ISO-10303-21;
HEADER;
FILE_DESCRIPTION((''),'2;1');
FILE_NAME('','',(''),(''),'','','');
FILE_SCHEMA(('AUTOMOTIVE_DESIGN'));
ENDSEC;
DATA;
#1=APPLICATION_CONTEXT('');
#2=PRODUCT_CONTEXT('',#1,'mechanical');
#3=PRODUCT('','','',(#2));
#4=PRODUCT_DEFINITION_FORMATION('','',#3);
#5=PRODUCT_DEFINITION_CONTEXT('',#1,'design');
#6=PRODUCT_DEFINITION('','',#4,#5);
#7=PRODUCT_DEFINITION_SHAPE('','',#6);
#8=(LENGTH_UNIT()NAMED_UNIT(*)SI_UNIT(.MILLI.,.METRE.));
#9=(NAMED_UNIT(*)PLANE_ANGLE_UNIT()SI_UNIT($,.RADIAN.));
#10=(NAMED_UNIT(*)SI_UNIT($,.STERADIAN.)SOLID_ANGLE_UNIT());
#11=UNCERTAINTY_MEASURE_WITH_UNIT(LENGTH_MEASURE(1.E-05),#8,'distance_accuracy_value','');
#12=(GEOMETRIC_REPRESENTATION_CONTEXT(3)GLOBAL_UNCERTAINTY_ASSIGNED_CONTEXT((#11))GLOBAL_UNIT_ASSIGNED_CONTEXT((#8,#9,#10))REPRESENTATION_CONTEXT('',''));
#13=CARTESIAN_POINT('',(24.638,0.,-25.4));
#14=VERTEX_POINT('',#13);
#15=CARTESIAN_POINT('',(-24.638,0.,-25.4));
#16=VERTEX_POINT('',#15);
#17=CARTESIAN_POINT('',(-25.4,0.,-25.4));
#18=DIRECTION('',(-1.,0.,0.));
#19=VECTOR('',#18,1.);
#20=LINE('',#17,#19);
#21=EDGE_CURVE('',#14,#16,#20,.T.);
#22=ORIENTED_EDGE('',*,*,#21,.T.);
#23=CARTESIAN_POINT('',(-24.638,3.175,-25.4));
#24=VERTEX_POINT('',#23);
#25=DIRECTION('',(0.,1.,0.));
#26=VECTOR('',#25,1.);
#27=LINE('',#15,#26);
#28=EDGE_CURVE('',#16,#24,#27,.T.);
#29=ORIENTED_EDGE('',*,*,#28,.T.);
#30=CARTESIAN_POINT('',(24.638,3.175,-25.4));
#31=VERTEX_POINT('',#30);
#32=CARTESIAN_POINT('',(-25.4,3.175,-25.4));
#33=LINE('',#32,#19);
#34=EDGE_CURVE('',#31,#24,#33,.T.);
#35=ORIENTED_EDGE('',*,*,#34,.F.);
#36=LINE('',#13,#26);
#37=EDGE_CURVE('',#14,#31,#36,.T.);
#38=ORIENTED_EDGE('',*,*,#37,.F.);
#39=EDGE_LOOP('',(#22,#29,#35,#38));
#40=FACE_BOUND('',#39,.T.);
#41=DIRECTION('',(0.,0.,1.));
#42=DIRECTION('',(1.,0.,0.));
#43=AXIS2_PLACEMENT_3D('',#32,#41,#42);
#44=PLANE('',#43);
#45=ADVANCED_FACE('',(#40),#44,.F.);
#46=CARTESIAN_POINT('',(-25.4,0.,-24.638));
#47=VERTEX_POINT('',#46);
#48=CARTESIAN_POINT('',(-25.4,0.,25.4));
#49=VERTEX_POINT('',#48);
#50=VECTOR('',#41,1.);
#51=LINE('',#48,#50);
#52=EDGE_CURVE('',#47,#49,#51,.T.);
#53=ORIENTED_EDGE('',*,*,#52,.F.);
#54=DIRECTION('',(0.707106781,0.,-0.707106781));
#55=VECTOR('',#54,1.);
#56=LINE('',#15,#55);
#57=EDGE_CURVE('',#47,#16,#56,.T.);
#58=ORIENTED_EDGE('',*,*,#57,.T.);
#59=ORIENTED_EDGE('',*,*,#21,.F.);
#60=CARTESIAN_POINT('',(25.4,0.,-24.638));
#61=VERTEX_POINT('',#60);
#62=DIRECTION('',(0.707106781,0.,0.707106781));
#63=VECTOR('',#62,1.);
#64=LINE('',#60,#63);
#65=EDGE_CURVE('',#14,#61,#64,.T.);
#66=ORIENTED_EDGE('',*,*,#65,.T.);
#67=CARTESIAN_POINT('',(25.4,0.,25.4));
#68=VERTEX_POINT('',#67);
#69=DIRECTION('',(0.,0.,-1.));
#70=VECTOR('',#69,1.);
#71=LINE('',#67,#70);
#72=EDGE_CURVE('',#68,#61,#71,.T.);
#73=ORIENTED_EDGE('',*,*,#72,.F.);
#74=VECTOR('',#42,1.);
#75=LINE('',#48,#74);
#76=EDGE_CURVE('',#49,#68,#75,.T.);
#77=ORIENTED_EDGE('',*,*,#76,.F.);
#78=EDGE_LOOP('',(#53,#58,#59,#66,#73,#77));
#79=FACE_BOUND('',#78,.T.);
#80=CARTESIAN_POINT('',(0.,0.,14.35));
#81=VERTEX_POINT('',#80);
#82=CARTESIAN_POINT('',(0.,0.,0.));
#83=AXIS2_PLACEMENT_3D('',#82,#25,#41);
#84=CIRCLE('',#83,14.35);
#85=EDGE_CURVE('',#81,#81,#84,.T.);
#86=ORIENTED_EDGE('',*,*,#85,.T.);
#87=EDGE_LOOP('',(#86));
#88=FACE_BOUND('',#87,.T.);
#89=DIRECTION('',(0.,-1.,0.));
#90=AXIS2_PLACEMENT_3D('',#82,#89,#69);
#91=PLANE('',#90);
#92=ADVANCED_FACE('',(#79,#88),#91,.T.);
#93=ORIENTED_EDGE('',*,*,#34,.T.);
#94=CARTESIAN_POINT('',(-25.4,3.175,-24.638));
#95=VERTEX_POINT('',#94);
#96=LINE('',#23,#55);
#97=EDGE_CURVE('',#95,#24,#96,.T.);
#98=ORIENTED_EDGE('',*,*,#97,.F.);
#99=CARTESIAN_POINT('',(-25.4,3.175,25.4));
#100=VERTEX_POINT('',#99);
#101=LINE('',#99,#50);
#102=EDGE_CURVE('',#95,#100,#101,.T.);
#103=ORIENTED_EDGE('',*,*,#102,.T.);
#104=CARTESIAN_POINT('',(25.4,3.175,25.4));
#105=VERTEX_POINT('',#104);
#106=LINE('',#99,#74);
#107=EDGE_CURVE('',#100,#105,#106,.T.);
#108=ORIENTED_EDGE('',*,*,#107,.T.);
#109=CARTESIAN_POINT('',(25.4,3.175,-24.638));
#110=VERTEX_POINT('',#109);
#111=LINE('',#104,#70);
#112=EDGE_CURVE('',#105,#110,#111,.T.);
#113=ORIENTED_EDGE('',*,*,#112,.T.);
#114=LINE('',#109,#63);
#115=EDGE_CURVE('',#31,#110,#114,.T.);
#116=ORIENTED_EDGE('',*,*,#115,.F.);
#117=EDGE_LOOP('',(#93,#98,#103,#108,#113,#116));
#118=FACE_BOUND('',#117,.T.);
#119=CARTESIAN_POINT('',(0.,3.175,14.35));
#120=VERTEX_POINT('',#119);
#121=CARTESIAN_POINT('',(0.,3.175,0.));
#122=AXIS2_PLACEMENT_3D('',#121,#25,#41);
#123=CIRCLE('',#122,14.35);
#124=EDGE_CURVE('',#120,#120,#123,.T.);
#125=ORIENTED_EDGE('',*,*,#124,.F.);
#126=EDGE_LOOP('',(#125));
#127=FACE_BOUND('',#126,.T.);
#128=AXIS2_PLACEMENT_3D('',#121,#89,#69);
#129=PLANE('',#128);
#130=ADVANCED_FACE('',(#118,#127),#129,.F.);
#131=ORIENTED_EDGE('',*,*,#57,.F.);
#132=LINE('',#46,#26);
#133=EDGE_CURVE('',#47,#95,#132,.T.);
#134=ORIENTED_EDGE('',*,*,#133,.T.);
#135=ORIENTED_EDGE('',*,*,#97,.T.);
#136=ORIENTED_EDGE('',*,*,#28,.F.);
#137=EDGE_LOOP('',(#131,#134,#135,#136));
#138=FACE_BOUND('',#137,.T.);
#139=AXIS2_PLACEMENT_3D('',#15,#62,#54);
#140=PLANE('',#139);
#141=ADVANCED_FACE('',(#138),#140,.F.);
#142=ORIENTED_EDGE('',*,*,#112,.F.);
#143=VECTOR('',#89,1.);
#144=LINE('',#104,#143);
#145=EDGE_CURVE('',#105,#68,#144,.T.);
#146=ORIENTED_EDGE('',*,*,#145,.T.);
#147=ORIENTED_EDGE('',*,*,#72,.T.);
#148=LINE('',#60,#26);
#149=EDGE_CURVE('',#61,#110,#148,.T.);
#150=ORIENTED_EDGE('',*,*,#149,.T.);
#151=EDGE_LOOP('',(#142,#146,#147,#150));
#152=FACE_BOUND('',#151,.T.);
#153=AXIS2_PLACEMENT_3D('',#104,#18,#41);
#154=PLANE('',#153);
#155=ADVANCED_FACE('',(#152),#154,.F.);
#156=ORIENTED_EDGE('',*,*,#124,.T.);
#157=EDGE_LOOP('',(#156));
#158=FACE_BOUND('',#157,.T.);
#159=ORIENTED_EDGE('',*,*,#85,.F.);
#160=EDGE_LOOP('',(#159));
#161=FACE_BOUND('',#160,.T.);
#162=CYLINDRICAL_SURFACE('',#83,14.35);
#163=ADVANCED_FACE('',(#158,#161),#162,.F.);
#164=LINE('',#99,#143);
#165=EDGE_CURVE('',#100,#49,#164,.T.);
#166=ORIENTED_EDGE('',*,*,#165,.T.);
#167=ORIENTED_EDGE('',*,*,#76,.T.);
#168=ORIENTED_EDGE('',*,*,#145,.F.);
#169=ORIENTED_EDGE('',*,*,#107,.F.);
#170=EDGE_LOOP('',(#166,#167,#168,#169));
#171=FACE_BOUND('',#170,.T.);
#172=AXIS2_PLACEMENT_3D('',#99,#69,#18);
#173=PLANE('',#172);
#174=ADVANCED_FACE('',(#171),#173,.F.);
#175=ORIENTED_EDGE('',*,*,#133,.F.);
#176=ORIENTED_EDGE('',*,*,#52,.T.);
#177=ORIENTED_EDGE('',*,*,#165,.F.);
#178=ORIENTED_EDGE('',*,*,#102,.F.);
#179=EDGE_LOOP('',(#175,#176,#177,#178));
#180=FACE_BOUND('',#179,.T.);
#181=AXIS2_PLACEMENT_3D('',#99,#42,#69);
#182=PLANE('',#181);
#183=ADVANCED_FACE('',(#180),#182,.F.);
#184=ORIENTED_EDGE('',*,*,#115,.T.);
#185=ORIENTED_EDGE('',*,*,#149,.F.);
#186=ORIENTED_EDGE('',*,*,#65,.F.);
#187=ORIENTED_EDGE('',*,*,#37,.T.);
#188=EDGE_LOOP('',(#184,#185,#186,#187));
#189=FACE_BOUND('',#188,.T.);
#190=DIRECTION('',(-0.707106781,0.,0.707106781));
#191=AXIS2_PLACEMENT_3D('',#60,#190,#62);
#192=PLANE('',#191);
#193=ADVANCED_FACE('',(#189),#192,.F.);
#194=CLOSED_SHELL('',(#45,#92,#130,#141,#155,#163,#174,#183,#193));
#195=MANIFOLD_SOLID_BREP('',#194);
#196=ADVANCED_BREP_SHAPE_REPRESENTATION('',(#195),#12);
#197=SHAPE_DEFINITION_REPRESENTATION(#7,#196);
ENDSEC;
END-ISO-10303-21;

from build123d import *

# Parameters (mm, degrees)
SKETCH1_W           = 50.8
SKETCH1_H           = 50.8
BOSS_EXTRUDE1_DEPTH = 3.175
SKETCH2_R           = 14.35
CUT_EXTRUDE1_DEPTH  = 3.175
CUT_EXTRUDE2_DEPTH  = 3.175


with BuildPart() as part:
    # Sketch1 → Boss-Extrude1 (new body)
    with BuildSketch(Plane(origin=(0, 0, 0), x_dir=(1, 0, 0), z_dir=(0, 1, 0))):
        Rectangle(SKETCH1_W, SKETCH1_H)
    extrude(amount=BOSS_EXTRUDE1_DEPTH)

    # Sketch2 → Cut-Extrude1 (cut)
    with BuildSketch(Plane(origin=(0, 3.175, 0), x_dir=(1, 0, 0), z_dir=(0, 1, 0))):
        Circle(SKETCH2_R)
    extrude(amount=-CUT_EXTRUDE1_DEPTH, mode=Mode.SUBTRACT)

    # Sketch3 → Cut-Extrude2 (cut)
    with BuildSketch(Plane(origin=(0, 3.175, 0), x_dir=(1, 0, 0), z_dir=(0, 1, 0))):
        Polygon((-25.4, 25.4), (-24.638, 25.4), (-25.4, 24.638), align=None)
        Polygon((25.4, 25.4), (25.4, 24.638), (24.638, 25.4), align=None)
    extrude(amount=-CUT_EXTRUDE2_DEPTH, mode=Mode.SUBTRACT)


solid = part.part
